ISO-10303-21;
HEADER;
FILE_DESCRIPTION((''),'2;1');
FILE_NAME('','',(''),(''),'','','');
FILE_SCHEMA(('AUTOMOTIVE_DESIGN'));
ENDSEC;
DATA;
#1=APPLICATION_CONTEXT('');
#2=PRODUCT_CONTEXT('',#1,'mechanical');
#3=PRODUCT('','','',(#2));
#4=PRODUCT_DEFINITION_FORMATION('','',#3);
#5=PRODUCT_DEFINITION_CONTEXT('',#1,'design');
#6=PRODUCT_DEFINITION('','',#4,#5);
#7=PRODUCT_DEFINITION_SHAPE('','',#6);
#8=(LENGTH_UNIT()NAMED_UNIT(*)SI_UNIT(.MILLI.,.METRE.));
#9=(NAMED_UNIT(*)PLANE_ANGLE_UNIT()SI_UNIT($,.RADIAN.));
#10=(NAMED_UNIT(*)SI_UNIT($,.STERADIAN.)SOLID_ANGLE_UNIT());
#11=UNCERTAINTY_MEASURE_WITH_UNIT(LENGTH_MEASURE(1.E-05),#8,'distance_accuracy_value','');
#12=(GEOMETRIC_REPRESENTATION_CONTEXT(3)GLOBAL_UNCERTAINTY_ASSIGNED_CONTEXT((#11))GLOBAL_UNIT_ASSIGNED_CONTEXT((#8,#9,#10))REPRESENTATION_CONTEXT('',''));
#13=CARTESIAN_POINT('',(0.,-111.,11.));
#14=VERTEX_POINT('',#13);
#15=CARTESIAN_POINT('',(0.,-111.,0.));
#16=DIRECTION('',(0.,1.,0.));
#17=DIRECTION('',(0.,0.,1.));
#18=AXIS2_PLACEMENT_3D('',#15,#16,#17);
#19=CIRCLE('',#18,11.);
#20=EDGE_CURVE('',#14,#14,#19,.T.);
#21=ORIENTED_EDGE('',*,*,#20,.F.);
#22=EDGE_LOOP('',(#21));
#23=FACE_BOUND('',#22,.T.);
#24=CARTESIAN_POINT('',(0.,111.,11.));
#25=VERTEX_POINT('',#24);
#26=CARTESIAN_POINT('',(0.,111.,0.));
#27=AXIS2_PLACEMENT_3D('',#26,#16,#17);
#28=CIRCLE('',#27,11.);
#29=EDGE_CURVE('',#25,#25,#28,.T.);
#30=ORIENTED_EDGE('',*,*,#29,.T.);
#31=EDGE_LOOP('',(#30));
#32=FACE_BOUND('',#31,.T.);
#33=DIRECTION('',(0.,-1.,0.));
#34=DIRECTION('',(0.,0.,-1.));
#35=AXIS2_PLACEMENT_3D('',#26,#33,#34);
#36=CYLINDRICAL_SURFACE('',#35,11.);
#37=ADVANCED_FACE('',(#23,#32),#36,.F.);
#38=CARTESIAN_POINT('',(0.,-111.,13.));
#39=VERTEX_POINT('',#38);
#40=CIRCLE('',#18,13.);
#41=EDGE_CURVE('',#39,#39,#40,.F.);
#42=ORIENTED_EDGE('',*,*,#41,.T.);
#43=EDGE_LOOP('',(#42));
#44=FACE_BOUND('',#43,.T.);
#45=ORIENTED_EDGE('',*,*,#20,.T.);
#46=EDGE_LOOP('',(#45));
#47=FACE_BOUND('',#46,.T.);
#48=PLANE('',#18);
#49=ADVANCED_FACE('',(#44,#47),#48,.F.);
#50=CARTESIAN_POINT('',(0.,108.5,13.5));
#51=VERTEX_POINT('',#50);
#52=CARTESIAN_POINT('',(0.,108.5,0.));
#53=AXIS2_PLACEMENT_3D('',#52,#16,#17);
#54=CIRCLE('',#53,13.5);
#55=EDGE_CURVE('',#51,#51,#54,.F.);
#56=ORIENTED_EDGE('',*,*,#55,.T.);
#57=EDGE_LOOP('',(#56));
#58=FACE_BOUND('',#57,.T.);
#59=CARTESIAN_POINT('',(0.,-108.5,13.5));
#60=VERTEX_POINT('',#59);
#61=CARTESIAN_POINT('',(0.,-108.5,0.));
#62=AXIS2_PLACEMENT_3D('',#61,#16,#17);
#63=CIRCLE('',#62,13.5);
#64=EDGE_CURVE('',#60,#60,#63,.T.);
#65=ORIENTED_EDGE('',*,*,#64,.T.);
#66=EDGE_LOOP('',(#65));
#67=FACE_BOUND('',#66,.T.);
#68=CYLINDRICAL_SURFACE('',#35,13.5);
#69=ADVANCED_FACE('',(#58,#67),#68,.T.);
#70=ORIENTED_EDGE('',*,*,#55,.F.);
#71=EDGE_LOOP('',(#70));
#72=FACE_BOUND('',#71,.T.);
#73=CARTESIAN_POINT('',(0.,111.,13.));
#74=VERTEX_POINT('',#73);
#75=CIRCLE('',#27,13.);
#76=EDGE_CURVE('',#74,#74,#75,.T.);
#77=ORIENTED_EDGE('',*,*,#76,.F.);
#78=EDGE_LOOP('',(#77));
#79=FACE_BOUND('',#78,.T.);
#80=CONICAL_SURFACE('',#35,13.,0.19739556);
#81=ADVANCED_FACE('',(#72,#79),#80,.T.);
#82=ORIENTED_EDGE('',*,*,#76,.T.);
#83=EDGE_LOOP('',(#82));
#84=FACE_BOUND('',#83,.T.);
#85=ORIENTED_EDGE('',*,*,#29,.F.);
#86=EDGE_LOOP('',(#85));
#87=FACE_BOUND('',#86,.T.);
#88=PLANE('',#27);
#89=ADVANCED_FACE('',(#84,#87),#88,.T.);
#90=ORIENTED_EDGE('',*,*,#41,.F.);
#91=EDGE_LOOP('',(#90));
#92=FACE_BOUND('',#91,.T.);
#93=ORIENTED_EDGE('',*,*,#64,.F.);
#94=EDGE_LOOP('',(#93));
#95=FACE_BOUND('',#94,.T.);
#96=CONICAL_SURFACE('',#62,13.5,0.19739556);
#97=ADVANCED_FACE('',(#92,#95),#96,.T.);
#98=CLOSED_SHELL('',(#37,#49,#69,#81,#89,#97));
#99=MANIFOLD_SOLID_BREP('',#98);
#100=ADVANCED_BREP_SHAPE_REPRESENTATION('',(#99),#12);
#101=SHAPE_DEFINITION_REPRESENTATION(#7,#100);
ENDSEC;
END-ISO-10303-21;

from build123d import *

# Parameters (mm, degrees)
ESQUISSE1_R      = 13.5
ESQUISSE1_R_2    = 11
EXTRUSION1_DEPTH = 111
CHANFREIN1_SIZE  = 2.5
CHANFREIN1_SIZE2 = 0.5
CHANFREIN2_SIZE  = 2.5
CHANFREIN2_SIZE2 = 0.5


with BuildPart() as part:
    # Esquisse1 → Extrusion1 (new body, symmetric)
    with BuildSketch(Plane(origin=(0, 0, 0), x_dir=(1, 0, 0), z_dir=(0, 1, 0))):
        with Locations(Location((0, 0, 0), (0, 0, 270))):  # turned: the seam where the file's is
            Circle(ESQUISSE1_R)
        with Locations(Location((0, 0, 0), (0, 0, 270))):  # turned: the seam where the file's is
            Circle(ESQUISSE1_R_2, mode=Mode.SUBTRACT)
    extrude(amount=EXTRUSION1_DEPTH, both=True)

    # Chanfrein1
    chanfrein1_edges = [part.edges().sort_by_distance(p)[0] for p in [
        (0, -111, -13.5),
    ]]
    chanfrein1_side = [part.faces().sort_by_distance(p)[0] for p in [
        (0, 0, -13.5),
    ]]
    chamfer(chanfrein1_edges, length=CHANFREIN1_SIZE, length2=CHANFREIN1_SIZE2, reference=chanfrein1_side[0])

    # Chanfrein2
    chanfrein2_edges = [part.edges().sort_by_distance(p)[0] for p in [
        (0, 111, -13.5),
    ]]
    chanfrein2_side = [part.faces().sort_by_distance(p)[0] for p in [
        (0, 1.25, -13.5),
    ]]
    chamfer(chanfrein2_edges, length=CHANFREIN2_SIZE, length2=CHANFREIN2_SIZE2, reference=chanfrein2_side[0])


solid = part.part
